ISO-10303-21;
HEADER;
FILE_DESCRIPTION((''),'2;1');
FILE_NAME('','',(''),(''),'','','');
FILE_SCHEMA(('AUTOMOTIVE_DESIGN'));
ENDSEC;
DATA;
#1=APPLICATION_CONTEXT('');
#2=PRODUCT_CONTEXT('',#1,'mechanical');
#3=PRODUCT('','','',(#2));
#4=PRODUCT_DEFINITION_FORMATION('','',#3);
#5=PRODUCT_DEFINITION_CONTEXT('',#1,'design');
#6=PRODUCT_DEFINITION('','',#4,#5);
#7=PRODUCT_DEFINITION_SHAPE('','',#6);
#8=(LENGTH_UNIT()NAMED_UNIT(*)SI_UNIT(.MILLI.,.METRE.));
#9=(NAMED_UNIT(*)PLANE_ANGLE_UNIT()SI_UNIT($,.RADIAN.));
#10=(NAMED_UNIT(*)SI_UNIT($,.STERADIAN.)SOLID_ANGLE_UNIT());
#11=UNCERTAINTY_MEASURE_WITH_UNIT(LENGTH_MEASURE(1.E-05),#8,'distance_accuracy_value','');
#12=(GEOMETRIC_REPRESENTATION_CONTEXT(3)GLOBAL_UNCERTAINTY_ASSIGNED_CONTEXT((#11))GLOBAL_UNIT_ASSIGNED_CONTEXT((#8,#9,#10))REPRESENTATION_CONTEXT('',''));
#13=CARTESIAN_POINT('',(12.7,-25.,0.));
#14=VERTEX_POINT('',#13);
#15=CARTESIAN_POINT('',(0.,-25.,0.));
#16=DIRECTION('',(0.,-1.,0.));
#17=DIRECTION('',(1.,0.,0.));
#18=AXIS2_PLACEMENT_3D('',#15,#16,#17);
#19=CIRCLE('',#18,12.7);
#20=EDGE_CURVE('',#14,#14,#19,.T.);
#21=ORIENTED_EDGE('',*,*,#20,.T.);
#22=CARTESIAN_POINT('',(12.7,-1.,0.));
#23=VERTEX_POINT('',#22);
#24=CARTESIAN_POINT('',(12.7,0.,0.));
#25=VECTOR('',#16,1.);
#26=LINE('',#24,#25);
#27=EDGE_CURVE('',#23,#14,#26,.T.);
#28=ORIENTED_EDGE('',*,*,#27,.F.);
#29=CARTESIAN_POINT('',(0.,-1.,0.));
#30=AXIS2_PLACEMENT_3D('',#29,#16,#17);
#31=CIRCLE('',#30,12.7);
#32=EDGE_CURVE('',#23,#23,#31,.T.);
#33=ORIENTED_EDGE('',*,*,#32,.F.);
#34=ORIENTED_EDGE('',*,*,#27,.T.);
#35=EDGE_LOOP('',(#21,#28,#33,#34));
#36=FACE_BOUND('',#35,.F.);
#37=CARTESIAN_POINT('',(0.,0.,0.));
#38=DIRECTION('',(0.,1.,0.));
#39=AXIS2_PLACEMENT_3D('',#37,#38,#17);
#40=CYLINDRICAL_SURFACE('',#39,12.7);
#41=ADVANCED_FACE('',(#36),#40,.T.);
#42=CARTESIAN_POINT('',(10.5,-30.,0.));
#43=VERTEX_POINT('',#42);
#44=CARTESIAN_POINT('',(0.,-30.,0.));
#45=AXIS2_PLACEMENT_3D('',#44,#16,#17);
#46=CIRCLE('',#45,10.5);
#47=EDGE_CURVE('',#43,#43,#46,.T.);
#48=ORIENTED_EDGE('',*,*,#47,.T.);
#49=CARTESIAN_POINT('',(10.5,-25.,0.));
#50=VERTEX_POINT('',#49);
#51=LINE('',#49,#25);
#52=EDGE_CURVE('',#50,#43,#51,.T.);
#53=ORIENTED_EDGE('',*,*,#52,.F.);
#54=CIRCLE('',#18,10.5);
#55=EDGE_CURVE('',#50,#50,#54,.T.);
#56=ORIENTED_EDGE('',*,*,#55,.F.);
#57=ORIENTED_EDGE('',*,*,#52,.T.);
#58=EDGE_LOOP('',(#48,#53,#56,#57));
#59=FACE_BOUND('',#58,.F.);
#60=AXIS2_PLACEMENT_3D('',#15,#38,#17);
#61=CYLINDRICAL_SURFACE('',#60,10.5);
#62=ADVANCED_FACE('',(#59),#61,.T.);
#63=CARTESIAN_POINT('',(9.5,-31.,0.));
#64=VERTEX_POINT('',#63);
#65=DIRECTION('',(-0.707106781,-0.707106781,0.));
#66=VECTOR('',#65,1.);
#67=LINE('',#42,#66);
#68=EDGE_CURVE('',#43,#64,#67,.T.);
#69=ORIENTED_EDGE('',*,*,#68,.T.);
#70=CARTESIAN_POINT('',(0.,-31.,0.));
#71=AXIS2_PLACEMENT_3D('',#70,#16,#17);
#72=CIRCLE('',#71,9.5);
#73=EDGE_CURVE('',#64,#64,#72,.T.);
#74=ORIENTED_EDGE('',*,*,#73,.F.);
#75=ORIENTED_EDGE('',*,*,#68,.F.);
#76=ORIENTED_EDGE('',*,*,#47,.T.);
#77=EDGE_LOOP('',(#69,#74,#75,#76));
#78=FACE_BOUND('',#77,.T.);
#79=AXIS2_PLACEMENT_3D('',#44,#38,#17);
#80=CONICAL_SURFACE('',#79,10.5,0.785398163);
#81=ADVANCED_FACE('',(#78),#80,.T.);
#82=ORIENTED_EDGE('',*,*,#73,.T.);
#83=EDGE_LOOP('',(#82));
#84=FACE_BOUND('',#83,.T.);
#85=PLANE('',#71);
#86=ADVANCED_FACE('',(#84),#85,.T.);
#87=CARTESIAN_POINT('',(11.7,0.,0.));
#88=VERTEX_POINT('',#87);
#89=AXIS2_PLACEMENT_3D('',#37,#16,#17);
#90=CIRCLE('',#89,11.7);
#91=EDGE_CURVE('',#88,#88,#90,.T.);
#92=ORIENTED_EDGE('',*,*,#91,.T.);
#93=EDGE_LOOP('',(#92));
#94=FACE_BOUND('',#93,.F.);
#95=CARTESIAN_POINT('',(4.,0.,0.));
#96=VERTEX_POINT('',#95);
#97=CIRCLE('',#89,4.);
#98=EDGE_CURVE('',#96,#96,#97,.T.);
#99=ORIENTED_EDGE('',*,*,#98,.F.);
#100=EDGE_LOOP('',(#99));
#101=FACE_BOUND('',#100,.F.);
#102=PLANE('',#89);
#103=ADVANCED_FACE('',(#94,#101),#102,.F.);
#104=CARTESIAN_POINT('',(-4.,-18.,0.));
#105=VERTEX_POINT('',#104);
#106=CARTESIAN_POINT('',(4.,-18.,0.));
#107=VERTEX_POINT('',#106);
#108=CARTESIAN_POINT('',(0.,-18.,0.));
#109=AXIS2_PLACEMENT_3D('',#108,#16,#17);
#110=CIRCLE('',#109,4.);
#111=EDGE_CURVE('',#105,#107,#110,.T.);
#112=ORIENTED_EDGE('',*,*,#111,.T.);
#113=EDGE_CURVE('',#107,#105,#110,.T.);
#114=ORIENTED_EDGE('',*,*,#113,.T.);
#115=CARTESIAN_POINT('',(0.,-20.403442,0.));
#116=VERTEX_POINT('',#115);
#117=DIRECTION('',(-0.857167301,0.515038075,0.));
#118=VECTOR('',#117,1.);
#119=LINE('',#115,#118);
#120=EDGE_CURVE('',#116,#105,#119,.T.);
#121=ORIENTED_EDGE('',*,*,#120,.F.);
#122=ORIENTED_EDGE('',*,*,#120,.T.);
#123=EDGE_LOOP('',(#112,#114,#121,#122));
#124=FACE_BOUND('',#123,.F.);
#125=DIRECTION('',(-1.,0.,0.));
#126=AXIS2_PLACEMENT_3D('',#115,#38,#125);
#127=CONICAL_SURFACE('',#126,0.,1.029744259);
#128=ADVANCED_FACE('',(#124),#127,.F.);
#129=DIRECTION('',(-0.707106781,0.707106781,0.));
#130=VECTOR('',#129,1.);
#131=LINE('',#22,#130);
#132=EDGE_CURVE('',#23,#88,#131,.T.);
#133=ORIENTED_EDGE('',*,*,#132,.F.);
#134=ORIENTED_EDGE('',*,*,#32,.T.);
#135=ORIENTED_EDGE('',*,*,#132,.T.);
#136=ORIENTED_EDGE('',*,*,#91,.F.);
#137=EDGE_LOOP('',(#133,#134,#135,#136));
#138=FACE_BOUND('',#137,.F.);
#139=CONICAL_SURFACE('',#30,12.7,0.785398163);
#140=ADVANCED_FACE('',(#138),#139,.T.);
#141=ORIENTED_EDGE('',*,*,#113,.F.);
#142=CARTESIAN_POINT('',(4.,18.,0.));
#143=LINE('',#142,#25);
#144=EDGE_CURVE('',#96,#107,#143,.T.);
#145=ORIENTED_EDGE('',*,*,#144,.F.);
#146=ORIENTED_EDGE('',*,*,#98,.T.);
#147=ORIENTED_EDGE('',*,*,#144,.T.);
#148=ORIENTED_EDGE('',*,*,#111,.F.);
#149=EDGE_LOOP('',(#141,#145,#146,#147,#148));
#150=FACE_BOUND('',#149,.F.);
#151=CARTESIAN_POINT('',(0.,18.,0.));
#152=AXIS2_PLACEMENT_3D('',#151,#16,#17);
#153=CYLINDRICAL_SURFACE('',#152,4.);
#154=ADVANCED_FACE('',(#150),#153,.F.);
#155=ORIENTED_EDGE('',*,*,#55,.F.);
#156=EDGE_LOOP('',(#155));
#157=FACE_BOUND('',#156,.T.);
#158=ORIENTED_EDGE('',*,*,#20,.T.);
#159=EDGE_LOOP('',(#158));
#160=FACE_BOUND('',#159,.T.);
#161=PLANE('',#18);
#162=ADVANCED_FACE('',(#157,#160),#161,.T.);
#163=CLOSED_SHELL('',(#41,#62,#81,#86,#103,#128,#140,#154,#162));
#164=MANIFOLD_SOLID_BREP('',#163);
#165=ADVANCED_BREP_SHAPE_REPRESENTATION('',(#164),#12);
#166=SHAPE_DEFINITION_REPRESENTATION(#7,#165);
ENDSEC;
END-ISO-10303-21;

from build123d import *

# Parameters (mm, degrees)
F0_R     = 12.7
F1_DEPTH = 25
F2_R     = 10.5
F3_DEPTH = 6
F4_SIZE  = 1
F6_D     = 8
F6_DEPTH = 18
F6_TIP   = 2.4034424761


with BuildPart() as f1:
    # F0 (on Front) → F1 (new body)
    with BuildSketch(Plane.XZ):
        Circle(F0_R)
    extrude(amount=F1_DEPTH)

    # F2 (on face) → F3 (join)
    with BuildSketch(Plane.XZ.offset(25)):
        Circle(F2_R)
    extrude(amount=F3_DEPTH)

    # F4
    f4_edges = [f1.edges().sort_by_distance(p)[0] for p in [
        (-10.5, -31, 0),
        (-12.7, 0, 0),
    ]]
    chamfer(f4_edges, length=F4_SIZE)

    # F6
    with Locations(Plane(origin=(0, 0, 0), x_dir=(-1, 0, 0), z_dir=(0, 1, 0))):
        with Locations((0, 0)):
            Hole(F6_D / 2, depth=F6_DEPTH)
            with Locations((0, 0, -(F6_DEPTH + F6_TIP / 2))):  # 118° drill point
                Cone(0, F6_D / 2, F6_TIP, mode=Mode.SUBTRACT)


solid = f1.part
